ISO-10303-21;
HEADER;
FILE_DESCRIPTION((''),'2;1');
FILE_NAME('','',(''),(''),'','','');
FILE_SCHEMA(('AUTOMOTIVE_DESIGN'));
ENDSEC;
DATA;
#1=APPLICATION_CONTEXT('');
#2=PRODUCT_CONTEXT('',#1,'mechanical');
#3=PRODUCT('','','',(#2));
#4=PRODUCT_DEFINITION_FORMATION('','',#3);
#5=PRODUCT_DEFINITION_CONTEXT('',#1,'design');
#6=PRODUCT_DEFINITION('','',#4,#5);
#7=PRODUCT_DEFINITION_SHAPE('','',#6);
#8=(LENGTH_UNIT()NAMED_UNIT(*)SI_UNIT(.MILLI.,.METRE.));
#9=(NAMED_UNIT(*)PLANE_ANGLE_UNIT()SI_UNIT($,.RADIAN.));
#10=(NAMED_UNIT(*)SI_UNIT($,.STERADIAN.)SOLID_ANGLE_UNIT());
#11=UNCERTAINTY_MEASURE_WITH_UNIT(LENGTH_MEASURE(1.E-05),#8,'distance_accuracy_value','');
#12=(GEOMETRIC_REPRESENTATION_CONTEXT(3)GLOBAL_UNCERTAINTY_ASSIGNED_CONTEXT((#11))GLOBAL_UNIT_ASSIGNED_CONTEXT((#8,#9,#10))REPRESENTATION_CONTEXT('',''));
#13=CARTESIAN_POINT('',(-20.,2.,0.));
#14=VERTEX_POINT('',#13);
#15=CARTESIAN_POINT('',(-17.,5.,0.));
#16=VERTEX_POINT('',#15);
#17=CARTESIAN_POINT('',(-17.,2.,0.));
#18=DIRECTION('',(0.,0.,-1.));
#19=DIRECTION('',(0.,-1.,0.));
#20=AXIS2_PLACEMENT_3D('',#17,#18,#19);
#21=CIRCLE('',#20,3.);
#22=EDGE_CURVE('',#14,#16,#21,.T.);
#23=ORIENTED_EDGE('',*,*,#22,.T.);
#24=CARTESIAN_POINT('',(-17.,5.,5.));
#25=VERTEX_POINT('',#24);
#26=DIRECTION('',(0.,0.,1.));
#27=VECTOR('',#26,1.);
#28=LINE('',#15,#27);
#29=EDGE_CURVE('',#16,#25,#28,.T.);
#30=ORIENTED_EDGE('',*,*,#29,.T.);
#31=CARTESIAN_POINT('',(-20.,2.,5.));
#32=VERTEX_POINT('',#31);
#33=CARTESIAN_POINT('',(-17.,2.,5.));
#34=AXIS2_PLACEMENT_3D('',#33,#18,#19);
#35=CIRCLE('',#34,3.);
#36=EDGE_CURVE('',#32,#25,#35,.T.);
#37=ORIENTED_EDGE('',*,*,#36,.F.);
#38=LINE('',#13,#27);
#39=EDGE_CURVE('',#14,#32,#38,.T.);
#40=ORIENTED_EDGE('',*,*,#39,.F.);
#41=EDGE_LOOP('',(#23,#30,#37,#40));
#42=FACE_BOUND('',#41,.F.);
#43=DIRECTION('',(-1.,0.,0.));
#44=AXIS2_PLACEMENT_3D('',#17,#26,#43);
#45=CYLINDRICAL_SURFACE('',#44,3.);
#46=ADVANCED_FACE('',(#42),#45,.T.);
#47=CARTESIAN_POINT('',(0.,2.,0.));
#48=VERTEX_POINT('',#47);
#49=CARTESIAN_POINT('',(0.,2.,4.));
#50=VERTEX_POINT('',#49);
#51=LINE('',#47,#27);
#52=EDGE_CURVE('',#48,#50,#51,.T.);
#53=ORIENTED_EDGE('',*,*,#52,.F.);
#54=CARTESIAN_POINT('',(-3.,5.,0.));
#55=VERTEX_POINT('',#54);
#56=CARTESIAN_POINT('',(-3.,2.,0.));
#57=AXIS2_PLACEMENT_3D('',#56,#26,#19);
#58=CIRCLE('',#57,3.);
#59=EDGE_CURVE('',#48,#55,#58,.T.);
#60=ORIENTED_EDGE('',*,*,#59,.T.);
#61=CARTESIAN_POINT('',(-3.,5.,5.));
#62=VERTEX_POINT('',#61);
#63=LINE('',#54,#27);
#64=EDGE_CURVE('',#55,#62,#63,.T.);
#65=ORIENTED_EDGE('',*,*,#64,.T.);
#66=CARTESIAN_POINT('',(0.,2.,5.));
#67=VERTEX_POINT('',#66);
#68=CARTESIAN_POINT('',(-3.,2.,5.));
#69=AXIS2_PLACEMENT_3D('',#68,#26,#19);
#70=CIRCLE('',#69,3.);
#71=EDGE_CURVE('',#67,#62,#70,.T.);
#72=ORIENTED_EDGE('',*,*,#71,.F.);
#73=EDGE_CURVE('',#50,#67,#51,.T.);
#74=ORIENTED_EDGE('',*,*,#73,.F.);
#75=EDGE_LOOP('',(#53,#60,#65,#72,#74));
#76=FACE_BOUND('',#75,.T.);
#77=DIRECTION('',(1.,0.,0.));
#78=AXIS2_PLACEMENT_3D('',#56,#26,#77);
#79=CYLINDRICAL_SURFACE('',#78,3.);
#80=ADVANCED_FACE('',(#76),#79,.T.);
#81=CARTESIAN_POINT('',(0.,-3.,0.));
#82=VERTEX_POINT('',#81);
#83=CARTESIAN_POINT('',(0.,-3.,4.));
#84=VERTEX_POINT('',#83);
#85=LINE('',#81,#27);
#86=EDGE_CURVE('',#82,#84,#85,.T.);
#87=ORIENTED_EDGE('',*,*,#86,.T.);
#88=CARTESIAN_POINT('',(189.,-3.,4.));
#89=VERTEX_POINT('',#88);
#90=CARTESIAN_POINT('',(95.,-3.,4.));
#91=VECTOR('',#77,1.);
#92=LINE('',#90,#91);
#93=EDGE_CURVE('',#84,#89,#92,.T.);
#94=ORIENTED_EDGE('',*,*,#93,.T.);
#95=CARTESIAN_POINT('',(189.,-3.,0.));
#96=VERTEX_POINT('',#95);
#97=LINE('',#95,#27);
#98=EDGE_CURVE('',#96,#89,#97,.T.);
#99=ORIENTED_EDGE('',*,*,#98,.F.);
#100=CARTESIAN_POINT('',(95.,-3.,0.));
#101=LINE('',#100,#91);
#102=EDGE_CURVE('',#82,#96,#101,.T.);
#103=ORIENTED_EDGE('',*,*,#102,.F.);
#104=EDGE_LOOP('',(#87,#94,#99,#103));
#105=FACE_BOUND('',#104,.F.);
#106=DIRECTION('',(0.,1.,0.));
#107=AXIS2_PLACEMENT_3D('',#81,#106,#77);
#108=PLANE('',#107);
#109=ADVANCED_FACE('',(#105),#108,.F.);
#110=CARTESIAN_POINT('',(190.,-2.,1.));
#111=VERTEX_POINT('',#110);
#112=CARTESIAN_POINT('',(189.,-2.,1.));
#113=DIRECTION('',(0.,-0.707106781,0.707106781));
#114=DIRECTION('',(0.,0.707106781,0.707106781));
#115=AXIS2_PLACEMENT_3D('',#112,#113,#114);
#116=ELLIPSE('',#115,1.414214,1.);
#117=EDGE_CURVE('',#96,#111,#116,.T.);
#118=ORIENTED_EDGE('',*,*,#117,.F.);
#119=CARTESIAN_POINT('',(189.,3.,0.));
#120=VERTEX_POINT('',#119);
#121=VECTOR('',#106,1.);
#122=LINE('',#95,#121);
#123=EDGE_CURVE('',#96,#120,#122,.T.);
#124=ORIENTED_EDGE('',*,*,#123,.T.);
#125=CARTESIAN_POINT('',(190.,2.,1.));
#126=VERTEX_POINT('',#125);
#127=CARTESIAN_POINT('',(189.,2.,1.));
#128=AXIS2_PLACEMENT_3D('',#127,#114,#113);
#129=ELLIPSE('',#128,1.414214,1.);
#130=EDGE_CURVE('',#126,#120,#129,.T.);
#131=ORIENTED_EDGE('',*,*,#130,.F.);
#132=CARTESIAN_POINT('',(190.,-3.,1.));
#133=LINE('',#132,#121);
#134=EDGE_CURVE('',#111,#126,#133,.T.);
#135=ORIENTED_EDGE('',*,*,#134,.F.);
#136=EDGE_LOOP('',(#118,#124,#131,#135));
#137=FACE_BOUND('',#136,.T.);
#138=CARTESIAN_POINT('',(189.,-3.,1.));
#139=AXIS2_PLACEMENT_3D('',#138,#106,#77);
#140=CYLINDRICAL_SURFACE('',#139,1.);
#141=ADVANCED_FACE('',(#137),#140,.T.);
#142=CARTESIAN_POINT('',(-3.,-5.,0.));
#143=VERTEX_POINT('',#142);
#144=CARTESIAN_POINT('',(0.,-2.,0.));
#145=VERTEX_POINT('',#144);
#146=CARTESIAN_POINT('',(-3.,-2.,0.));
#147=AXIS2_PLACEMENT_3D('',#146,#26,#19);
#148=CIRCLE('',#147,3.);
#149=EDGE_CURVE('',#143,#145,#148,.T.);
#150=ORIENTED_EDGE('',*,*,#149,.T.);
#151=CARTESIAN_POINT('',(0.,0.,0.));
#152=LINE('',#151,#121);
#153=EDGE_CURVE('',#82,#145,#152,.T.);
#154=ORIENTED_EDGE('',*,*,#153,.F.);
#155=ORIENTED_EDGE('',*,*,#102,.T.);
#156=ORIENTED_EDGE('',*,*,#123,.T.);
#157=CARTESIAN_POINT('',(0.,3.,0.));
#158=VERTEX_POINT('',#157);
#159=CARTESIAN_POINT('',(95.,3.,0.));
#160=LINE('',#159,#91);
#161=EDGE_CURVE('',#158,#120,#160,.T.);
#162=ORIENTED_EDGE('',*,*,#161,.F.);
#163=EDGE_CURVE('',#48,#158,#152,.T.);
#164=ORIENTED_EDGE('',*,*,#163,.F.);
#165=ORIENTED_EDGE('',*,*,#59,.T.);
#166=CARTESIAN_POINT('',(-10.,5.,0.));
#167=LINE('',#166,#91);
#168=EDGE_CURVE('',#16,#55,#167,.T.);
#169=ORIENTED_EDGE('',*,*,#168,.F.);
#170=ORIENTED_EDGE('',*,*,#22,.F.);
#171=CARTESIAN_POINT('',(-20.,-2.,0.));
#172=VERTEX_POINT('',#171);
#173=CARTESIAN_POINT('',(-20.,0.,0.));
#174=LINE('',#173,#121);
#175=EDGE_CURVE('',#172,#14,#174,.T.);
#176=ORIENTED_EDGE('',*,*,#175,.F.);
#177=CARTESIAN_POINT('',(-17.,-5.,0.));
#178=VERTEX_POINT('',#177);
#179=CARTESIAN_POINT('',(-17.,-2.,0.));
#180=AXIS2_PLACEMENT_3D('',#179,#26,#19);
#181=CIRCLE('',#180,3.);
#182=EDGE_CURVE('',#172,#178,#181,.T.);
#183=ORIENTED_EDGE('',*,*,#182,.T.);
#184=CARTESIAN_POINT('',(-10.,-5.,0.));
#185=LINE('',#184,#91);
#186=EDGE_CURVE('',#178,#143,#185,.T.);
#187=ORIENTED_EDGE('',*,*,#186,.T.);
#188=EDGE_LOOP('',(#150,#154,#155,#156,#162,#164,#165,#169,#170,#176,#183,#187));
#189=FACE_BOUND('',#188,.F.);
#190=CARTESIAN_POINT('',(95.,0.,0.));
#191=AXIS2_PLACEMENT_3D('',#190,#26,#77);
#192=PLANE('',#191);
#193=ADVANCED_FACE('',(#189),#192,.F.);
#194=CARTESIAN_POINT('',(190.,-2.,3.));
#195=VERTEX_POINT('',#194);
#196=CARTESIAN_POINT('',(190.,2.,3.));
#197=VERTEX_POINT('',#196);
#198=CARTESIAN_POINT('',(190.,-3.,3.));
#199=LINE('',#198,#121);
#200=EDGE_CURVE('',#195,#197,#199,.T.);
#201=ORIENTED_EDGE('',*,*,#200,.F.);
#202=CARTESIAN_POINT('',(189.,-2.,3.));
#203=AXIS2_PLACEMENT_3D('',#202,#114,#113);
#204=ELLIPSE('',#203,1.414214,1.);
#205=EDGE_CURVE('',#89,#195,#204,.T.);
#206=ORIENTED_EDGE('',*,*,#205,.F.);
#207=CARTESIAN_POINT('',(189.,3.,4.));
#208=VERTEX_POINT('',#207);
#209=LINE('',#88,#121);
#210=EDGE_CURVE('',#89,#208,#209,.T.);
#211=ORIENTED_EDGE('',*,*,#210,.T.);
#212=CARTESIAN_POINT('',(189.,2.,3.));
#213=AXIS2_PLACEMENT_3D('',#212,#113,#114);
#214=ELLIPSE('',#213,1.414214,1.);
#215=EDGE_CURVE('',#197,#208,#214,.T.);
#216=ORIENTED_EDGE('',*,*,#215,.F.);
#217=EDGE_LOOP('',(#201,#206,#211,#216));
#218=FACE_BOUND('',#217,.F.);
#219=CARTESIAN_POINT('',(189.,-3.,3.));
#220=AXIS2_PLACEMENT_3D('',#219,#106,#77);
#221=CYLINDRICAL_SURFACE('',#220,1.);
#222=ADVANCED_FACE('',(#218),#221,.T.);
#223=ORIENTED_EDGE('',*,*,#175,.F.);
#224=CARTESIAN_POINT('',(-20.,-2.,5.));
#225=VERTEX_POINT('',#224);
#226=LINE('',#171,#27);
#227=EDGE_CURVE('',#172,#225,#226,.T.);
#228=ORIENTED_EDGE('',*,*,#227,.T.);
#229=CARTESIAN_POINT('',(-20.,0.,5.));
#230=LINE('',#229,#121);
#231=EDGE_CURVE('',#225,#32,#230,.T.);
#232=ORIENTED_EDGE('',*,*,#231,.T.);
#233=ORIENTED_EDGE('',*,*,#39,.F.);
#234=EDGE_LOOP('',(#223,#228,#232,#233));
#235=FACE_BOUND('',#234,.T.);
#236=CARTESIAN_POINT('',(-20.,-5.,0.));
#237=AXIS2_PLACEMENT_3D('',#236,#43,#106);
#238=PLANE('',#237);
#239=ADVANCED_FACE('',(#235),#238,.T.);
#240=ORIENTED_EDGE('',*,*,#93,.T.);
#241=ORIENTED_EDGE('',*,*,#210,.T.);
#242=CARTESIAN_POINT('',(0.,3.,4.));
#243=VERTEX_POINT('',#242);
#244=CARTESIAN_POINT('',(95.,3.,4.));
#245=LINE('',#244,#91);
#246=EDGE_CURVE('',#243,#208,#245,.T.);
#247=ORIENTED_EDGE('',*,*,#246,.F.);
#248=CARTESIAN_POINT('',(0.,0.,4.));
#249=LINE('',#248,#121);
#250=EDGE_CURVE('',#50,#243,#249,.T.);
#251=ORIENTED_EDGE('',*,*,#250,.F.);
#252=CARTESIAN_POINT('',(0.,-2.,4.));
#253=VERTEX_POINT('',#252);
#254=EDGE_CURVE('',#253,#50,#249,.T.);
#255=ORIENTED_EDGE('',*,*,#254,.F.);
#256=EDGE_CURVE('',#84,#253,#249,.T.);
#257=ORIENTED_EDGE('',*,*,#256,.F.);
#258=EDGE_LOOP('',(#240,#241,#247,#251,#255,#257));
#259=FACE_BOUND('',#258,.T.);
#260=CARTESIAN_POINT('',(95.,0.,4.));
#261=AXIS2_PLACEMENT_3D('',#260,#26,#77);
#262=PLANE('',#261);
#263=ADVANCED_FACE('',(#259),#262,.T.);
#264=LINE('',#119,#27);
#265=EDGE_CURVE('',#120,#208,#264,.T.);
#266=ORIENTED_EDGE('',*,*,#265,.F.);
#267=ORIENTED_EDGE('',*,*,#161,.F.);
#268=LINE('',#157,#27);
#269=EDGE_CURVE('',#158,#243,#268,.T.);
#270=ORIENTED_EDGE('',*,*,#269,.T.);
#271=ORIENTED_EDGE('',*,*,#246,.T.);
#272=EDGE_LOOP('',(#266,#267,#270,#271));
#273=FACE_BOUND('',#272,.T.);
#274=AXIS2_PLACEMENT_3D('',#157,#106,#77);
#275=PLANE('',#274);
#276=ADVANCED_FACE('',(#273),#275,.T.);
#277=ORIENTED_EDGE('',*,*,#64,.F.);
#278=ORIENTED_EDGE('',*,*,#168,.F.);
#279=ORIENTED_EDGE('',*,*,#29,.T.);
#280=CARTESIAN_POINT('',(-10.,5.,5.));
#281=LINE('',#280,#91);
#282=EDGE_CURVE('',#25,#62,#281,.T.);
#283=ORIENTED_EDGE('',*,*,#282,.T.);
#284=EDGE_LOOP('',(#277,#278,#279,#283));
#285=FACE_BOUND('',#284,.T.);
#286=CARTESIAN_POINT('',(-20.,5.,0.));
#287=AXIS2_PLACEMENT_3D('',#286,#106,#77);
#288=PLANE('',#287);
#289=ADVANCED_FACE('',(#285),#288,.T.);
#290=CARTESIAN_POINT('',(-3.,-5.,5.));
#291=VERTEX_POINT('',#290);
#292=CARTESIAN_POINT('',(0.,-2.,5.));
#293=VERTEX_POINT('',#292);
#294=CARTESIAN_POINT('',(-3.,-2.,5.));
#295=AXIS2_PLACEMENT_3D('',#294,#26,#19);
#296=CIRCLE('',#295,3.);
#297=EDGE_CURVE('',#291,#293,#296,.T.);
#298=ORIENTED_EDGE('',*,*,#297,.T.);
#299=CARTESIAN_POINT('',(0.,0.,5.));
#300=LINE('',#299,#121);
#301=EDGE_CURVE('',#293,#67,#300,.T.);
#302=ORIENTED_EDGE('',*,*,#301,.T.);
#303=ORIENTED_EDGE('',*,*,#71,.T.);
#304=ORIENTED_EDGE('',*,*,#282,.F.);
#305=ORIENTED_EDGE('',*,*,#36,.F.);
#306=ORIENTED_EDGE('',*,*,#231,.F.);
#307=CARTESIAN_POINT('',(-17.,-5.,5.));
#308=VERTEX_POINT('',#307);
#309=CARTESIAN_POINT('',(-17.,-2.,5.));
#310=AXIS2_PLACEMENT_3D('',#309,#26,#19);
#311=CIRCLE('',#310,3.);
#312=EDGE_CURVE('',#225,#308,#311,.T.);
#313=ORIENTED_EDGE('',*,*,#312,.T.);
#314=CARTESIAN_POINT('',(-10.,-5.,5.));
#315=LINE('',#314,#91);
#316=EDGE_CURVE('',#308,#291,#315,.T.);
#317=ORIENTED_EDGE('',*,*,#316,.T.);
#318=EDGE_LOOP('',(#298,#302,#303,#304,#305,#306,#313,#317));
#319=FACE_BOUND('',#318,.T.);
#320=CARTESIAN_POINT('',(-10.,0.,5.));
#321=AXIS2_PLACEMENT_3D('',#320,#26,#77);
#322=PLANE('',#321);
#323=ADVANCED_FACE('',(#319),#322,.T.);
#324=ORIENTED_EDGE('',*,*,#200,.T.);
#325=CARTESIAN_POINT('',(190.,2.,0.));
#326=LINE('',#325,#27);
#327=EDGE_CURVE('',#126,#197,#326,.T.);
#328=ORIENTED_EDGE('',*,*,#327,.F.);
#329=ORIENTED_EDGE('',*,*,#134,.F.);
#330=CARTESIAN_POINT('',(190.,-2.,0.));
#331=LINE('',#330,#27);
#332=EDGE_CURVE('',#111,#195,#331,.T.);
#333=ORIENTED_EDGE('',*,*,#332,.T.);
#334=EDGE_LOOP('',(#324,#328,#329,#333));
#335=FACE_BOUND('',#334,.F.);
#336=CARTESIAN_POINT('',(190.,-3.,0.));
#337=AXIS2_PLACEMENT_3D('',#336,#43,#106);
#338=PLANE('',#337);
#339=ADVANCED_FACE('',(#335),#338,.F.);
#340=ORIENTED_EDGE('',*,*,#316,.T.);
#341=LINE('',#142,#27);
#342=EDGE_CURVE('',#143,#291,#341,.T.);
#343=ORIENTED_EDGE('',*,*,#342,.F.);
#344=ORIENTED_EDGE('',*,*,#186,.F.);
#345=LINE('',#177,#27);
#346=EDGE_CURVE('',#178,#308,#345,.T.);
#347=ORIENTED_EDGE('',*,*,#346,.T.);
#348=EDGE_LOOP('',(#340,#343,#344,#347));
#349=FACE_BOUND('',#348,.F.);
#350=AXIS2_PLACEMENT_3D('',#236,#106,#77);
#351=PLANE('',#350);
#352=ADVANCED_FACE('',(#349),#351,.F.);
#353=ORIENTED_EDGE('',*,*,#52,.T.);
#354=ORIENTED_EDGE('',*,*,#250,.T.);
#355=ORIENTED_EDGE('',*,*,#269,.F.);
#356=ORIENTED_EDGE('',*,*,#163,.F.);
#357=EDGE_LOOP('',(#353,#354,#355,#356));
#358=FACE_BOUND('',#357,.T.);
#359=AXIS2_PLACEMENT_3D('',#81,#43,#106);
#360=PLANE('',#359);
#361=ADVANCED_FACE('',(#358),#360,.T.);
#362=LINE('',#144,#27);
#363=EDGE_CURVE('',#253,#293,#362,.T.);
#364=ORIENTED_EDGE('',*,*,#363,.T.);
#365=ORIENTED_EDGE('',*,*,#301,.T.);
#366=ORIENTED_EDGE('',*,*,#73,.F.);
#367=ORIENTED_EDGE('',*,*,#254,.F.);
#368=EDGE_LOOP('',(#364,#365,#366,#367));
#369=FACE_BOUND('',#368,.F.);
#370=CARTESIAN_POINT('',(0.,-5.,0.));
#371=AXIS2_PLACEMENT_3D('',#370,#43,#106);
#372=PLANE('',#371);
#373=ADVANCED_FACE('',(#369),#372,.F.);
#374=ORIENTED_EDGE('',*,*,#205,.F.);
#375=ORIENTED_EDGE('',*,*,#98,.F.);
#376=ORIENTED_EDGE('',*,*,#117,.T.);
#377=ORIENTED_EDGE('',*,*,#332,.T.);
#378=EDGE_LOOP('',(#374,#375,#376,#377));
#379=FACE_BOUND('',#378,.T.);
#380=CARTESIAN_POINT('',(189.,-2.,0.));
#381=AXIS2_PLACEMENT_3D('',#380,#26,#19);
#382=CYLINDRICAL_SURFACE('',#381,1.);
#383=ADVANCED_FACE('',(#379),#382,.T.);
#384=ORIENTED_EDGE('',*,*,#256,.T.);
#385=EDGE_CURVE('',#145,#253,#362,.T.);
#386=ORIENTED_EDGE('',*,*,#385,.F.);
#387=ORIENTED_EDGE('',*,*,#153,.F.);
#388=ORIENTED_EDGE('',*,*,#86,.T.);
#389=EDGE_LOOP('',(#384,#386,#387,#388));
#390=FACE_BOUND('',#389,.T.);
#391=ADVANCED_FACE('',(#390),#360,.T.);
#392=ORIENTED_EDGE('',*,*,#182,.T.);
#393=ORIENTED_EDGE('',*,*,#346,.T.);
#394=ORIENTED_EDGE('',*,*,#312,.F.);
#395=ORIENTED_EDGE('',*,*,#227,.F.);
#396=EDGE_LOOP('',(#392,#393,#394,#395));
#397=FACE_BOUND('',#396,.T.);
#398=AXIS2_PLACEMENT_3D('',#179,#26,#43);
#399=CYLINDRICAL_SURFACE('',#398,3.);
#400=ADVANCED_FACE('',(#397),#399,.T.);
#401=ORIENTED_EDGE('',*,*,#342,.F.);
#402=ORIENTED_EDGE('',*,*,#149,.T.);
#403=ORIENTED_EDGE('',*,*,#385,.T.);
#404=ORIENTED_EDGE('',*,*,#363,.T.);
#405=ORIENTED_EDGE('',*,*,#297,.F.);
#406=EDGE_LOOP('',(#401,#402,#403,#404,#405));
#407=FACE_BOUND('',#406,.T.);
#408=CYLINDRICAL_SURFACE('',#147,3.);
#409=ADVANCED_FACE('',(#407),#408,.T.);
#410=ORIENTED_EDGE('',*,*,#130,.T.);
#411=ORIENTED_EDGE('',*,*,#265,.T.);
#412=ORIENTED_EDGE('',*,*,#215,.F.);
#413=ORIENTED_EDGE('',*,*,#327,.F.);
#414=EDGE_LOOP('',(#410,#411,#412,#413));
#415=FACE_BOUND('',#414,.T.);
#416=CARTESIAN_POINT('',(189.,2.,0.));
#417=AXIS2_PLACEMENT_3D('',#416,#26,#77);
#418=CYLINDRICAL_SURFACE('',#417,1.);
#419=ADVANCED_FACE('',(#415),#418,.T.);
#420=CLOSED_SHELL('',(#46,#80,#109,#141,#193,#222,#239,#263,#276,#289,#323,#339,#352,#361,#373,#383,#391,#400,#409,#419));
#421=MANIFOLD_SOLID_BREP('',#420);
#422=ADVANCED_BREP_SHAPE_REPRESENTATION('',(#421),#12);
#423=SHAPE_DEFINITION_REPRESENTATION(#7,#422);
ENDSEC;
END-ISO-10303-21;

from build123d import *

# Parameters (mm, degrees)
BOX_W        = 190
BOX_H        = 6
BOX_DEPTH    = 4
FILLET001_R  = 1
BOX001_W     = 20
BOX001_H     = 10
BOX001_DEPTH = 5
FILLET_R     = 3


with BuildPart() as handle_fillet:
    # Box → Box (new body)
    with BuildSketch(Plane(origin=(0, -3, 0), x_dir=(1, 0, 0), z_dir=(0, 0, 1))):
        with Locations((95, 3)):
            Rectangle(BOX_W, BOX_H)
    extrude(amount=BOX_DEPTH)

    # Fillet001
    fillet001_edges = [handle_fillet.edges().sort_by_distance(p)[0] for p in [
        (190, -3, 2),
        (190, 0, 4),
        (190, 3, 2),
        (190, 0, 0),
    ]]
    fillet(fillet001_edges, radius=FILLET001_R)


with BuildPart() as spade:
    # Box001 → Box001 (new body)
    with BuildSketch(Plane(origin=(-20, -5, 0), x_dir=(1, 0, 0), z_dir=(0, 0, 1))):
        with Locations((10, 5)):
            Rectangle(BOX001_W, BOX001_H)
    extrude(amount=BOX001_DEPTH)

    # Fillet
    fillet_edges = [spade.edges().sort_by_distance(p)[0] for p in [
        (-20, -5, 2.5),
        (-20, 5, 2.5),
        (0, -5, 2.5),
        (0, 5, 2.5),
    ]]
    fillet(fillet_edges, radius=FILLET_R)

    # Fusion: union handle fillet
    add(handle_fillet.part)


solid = spade.part
